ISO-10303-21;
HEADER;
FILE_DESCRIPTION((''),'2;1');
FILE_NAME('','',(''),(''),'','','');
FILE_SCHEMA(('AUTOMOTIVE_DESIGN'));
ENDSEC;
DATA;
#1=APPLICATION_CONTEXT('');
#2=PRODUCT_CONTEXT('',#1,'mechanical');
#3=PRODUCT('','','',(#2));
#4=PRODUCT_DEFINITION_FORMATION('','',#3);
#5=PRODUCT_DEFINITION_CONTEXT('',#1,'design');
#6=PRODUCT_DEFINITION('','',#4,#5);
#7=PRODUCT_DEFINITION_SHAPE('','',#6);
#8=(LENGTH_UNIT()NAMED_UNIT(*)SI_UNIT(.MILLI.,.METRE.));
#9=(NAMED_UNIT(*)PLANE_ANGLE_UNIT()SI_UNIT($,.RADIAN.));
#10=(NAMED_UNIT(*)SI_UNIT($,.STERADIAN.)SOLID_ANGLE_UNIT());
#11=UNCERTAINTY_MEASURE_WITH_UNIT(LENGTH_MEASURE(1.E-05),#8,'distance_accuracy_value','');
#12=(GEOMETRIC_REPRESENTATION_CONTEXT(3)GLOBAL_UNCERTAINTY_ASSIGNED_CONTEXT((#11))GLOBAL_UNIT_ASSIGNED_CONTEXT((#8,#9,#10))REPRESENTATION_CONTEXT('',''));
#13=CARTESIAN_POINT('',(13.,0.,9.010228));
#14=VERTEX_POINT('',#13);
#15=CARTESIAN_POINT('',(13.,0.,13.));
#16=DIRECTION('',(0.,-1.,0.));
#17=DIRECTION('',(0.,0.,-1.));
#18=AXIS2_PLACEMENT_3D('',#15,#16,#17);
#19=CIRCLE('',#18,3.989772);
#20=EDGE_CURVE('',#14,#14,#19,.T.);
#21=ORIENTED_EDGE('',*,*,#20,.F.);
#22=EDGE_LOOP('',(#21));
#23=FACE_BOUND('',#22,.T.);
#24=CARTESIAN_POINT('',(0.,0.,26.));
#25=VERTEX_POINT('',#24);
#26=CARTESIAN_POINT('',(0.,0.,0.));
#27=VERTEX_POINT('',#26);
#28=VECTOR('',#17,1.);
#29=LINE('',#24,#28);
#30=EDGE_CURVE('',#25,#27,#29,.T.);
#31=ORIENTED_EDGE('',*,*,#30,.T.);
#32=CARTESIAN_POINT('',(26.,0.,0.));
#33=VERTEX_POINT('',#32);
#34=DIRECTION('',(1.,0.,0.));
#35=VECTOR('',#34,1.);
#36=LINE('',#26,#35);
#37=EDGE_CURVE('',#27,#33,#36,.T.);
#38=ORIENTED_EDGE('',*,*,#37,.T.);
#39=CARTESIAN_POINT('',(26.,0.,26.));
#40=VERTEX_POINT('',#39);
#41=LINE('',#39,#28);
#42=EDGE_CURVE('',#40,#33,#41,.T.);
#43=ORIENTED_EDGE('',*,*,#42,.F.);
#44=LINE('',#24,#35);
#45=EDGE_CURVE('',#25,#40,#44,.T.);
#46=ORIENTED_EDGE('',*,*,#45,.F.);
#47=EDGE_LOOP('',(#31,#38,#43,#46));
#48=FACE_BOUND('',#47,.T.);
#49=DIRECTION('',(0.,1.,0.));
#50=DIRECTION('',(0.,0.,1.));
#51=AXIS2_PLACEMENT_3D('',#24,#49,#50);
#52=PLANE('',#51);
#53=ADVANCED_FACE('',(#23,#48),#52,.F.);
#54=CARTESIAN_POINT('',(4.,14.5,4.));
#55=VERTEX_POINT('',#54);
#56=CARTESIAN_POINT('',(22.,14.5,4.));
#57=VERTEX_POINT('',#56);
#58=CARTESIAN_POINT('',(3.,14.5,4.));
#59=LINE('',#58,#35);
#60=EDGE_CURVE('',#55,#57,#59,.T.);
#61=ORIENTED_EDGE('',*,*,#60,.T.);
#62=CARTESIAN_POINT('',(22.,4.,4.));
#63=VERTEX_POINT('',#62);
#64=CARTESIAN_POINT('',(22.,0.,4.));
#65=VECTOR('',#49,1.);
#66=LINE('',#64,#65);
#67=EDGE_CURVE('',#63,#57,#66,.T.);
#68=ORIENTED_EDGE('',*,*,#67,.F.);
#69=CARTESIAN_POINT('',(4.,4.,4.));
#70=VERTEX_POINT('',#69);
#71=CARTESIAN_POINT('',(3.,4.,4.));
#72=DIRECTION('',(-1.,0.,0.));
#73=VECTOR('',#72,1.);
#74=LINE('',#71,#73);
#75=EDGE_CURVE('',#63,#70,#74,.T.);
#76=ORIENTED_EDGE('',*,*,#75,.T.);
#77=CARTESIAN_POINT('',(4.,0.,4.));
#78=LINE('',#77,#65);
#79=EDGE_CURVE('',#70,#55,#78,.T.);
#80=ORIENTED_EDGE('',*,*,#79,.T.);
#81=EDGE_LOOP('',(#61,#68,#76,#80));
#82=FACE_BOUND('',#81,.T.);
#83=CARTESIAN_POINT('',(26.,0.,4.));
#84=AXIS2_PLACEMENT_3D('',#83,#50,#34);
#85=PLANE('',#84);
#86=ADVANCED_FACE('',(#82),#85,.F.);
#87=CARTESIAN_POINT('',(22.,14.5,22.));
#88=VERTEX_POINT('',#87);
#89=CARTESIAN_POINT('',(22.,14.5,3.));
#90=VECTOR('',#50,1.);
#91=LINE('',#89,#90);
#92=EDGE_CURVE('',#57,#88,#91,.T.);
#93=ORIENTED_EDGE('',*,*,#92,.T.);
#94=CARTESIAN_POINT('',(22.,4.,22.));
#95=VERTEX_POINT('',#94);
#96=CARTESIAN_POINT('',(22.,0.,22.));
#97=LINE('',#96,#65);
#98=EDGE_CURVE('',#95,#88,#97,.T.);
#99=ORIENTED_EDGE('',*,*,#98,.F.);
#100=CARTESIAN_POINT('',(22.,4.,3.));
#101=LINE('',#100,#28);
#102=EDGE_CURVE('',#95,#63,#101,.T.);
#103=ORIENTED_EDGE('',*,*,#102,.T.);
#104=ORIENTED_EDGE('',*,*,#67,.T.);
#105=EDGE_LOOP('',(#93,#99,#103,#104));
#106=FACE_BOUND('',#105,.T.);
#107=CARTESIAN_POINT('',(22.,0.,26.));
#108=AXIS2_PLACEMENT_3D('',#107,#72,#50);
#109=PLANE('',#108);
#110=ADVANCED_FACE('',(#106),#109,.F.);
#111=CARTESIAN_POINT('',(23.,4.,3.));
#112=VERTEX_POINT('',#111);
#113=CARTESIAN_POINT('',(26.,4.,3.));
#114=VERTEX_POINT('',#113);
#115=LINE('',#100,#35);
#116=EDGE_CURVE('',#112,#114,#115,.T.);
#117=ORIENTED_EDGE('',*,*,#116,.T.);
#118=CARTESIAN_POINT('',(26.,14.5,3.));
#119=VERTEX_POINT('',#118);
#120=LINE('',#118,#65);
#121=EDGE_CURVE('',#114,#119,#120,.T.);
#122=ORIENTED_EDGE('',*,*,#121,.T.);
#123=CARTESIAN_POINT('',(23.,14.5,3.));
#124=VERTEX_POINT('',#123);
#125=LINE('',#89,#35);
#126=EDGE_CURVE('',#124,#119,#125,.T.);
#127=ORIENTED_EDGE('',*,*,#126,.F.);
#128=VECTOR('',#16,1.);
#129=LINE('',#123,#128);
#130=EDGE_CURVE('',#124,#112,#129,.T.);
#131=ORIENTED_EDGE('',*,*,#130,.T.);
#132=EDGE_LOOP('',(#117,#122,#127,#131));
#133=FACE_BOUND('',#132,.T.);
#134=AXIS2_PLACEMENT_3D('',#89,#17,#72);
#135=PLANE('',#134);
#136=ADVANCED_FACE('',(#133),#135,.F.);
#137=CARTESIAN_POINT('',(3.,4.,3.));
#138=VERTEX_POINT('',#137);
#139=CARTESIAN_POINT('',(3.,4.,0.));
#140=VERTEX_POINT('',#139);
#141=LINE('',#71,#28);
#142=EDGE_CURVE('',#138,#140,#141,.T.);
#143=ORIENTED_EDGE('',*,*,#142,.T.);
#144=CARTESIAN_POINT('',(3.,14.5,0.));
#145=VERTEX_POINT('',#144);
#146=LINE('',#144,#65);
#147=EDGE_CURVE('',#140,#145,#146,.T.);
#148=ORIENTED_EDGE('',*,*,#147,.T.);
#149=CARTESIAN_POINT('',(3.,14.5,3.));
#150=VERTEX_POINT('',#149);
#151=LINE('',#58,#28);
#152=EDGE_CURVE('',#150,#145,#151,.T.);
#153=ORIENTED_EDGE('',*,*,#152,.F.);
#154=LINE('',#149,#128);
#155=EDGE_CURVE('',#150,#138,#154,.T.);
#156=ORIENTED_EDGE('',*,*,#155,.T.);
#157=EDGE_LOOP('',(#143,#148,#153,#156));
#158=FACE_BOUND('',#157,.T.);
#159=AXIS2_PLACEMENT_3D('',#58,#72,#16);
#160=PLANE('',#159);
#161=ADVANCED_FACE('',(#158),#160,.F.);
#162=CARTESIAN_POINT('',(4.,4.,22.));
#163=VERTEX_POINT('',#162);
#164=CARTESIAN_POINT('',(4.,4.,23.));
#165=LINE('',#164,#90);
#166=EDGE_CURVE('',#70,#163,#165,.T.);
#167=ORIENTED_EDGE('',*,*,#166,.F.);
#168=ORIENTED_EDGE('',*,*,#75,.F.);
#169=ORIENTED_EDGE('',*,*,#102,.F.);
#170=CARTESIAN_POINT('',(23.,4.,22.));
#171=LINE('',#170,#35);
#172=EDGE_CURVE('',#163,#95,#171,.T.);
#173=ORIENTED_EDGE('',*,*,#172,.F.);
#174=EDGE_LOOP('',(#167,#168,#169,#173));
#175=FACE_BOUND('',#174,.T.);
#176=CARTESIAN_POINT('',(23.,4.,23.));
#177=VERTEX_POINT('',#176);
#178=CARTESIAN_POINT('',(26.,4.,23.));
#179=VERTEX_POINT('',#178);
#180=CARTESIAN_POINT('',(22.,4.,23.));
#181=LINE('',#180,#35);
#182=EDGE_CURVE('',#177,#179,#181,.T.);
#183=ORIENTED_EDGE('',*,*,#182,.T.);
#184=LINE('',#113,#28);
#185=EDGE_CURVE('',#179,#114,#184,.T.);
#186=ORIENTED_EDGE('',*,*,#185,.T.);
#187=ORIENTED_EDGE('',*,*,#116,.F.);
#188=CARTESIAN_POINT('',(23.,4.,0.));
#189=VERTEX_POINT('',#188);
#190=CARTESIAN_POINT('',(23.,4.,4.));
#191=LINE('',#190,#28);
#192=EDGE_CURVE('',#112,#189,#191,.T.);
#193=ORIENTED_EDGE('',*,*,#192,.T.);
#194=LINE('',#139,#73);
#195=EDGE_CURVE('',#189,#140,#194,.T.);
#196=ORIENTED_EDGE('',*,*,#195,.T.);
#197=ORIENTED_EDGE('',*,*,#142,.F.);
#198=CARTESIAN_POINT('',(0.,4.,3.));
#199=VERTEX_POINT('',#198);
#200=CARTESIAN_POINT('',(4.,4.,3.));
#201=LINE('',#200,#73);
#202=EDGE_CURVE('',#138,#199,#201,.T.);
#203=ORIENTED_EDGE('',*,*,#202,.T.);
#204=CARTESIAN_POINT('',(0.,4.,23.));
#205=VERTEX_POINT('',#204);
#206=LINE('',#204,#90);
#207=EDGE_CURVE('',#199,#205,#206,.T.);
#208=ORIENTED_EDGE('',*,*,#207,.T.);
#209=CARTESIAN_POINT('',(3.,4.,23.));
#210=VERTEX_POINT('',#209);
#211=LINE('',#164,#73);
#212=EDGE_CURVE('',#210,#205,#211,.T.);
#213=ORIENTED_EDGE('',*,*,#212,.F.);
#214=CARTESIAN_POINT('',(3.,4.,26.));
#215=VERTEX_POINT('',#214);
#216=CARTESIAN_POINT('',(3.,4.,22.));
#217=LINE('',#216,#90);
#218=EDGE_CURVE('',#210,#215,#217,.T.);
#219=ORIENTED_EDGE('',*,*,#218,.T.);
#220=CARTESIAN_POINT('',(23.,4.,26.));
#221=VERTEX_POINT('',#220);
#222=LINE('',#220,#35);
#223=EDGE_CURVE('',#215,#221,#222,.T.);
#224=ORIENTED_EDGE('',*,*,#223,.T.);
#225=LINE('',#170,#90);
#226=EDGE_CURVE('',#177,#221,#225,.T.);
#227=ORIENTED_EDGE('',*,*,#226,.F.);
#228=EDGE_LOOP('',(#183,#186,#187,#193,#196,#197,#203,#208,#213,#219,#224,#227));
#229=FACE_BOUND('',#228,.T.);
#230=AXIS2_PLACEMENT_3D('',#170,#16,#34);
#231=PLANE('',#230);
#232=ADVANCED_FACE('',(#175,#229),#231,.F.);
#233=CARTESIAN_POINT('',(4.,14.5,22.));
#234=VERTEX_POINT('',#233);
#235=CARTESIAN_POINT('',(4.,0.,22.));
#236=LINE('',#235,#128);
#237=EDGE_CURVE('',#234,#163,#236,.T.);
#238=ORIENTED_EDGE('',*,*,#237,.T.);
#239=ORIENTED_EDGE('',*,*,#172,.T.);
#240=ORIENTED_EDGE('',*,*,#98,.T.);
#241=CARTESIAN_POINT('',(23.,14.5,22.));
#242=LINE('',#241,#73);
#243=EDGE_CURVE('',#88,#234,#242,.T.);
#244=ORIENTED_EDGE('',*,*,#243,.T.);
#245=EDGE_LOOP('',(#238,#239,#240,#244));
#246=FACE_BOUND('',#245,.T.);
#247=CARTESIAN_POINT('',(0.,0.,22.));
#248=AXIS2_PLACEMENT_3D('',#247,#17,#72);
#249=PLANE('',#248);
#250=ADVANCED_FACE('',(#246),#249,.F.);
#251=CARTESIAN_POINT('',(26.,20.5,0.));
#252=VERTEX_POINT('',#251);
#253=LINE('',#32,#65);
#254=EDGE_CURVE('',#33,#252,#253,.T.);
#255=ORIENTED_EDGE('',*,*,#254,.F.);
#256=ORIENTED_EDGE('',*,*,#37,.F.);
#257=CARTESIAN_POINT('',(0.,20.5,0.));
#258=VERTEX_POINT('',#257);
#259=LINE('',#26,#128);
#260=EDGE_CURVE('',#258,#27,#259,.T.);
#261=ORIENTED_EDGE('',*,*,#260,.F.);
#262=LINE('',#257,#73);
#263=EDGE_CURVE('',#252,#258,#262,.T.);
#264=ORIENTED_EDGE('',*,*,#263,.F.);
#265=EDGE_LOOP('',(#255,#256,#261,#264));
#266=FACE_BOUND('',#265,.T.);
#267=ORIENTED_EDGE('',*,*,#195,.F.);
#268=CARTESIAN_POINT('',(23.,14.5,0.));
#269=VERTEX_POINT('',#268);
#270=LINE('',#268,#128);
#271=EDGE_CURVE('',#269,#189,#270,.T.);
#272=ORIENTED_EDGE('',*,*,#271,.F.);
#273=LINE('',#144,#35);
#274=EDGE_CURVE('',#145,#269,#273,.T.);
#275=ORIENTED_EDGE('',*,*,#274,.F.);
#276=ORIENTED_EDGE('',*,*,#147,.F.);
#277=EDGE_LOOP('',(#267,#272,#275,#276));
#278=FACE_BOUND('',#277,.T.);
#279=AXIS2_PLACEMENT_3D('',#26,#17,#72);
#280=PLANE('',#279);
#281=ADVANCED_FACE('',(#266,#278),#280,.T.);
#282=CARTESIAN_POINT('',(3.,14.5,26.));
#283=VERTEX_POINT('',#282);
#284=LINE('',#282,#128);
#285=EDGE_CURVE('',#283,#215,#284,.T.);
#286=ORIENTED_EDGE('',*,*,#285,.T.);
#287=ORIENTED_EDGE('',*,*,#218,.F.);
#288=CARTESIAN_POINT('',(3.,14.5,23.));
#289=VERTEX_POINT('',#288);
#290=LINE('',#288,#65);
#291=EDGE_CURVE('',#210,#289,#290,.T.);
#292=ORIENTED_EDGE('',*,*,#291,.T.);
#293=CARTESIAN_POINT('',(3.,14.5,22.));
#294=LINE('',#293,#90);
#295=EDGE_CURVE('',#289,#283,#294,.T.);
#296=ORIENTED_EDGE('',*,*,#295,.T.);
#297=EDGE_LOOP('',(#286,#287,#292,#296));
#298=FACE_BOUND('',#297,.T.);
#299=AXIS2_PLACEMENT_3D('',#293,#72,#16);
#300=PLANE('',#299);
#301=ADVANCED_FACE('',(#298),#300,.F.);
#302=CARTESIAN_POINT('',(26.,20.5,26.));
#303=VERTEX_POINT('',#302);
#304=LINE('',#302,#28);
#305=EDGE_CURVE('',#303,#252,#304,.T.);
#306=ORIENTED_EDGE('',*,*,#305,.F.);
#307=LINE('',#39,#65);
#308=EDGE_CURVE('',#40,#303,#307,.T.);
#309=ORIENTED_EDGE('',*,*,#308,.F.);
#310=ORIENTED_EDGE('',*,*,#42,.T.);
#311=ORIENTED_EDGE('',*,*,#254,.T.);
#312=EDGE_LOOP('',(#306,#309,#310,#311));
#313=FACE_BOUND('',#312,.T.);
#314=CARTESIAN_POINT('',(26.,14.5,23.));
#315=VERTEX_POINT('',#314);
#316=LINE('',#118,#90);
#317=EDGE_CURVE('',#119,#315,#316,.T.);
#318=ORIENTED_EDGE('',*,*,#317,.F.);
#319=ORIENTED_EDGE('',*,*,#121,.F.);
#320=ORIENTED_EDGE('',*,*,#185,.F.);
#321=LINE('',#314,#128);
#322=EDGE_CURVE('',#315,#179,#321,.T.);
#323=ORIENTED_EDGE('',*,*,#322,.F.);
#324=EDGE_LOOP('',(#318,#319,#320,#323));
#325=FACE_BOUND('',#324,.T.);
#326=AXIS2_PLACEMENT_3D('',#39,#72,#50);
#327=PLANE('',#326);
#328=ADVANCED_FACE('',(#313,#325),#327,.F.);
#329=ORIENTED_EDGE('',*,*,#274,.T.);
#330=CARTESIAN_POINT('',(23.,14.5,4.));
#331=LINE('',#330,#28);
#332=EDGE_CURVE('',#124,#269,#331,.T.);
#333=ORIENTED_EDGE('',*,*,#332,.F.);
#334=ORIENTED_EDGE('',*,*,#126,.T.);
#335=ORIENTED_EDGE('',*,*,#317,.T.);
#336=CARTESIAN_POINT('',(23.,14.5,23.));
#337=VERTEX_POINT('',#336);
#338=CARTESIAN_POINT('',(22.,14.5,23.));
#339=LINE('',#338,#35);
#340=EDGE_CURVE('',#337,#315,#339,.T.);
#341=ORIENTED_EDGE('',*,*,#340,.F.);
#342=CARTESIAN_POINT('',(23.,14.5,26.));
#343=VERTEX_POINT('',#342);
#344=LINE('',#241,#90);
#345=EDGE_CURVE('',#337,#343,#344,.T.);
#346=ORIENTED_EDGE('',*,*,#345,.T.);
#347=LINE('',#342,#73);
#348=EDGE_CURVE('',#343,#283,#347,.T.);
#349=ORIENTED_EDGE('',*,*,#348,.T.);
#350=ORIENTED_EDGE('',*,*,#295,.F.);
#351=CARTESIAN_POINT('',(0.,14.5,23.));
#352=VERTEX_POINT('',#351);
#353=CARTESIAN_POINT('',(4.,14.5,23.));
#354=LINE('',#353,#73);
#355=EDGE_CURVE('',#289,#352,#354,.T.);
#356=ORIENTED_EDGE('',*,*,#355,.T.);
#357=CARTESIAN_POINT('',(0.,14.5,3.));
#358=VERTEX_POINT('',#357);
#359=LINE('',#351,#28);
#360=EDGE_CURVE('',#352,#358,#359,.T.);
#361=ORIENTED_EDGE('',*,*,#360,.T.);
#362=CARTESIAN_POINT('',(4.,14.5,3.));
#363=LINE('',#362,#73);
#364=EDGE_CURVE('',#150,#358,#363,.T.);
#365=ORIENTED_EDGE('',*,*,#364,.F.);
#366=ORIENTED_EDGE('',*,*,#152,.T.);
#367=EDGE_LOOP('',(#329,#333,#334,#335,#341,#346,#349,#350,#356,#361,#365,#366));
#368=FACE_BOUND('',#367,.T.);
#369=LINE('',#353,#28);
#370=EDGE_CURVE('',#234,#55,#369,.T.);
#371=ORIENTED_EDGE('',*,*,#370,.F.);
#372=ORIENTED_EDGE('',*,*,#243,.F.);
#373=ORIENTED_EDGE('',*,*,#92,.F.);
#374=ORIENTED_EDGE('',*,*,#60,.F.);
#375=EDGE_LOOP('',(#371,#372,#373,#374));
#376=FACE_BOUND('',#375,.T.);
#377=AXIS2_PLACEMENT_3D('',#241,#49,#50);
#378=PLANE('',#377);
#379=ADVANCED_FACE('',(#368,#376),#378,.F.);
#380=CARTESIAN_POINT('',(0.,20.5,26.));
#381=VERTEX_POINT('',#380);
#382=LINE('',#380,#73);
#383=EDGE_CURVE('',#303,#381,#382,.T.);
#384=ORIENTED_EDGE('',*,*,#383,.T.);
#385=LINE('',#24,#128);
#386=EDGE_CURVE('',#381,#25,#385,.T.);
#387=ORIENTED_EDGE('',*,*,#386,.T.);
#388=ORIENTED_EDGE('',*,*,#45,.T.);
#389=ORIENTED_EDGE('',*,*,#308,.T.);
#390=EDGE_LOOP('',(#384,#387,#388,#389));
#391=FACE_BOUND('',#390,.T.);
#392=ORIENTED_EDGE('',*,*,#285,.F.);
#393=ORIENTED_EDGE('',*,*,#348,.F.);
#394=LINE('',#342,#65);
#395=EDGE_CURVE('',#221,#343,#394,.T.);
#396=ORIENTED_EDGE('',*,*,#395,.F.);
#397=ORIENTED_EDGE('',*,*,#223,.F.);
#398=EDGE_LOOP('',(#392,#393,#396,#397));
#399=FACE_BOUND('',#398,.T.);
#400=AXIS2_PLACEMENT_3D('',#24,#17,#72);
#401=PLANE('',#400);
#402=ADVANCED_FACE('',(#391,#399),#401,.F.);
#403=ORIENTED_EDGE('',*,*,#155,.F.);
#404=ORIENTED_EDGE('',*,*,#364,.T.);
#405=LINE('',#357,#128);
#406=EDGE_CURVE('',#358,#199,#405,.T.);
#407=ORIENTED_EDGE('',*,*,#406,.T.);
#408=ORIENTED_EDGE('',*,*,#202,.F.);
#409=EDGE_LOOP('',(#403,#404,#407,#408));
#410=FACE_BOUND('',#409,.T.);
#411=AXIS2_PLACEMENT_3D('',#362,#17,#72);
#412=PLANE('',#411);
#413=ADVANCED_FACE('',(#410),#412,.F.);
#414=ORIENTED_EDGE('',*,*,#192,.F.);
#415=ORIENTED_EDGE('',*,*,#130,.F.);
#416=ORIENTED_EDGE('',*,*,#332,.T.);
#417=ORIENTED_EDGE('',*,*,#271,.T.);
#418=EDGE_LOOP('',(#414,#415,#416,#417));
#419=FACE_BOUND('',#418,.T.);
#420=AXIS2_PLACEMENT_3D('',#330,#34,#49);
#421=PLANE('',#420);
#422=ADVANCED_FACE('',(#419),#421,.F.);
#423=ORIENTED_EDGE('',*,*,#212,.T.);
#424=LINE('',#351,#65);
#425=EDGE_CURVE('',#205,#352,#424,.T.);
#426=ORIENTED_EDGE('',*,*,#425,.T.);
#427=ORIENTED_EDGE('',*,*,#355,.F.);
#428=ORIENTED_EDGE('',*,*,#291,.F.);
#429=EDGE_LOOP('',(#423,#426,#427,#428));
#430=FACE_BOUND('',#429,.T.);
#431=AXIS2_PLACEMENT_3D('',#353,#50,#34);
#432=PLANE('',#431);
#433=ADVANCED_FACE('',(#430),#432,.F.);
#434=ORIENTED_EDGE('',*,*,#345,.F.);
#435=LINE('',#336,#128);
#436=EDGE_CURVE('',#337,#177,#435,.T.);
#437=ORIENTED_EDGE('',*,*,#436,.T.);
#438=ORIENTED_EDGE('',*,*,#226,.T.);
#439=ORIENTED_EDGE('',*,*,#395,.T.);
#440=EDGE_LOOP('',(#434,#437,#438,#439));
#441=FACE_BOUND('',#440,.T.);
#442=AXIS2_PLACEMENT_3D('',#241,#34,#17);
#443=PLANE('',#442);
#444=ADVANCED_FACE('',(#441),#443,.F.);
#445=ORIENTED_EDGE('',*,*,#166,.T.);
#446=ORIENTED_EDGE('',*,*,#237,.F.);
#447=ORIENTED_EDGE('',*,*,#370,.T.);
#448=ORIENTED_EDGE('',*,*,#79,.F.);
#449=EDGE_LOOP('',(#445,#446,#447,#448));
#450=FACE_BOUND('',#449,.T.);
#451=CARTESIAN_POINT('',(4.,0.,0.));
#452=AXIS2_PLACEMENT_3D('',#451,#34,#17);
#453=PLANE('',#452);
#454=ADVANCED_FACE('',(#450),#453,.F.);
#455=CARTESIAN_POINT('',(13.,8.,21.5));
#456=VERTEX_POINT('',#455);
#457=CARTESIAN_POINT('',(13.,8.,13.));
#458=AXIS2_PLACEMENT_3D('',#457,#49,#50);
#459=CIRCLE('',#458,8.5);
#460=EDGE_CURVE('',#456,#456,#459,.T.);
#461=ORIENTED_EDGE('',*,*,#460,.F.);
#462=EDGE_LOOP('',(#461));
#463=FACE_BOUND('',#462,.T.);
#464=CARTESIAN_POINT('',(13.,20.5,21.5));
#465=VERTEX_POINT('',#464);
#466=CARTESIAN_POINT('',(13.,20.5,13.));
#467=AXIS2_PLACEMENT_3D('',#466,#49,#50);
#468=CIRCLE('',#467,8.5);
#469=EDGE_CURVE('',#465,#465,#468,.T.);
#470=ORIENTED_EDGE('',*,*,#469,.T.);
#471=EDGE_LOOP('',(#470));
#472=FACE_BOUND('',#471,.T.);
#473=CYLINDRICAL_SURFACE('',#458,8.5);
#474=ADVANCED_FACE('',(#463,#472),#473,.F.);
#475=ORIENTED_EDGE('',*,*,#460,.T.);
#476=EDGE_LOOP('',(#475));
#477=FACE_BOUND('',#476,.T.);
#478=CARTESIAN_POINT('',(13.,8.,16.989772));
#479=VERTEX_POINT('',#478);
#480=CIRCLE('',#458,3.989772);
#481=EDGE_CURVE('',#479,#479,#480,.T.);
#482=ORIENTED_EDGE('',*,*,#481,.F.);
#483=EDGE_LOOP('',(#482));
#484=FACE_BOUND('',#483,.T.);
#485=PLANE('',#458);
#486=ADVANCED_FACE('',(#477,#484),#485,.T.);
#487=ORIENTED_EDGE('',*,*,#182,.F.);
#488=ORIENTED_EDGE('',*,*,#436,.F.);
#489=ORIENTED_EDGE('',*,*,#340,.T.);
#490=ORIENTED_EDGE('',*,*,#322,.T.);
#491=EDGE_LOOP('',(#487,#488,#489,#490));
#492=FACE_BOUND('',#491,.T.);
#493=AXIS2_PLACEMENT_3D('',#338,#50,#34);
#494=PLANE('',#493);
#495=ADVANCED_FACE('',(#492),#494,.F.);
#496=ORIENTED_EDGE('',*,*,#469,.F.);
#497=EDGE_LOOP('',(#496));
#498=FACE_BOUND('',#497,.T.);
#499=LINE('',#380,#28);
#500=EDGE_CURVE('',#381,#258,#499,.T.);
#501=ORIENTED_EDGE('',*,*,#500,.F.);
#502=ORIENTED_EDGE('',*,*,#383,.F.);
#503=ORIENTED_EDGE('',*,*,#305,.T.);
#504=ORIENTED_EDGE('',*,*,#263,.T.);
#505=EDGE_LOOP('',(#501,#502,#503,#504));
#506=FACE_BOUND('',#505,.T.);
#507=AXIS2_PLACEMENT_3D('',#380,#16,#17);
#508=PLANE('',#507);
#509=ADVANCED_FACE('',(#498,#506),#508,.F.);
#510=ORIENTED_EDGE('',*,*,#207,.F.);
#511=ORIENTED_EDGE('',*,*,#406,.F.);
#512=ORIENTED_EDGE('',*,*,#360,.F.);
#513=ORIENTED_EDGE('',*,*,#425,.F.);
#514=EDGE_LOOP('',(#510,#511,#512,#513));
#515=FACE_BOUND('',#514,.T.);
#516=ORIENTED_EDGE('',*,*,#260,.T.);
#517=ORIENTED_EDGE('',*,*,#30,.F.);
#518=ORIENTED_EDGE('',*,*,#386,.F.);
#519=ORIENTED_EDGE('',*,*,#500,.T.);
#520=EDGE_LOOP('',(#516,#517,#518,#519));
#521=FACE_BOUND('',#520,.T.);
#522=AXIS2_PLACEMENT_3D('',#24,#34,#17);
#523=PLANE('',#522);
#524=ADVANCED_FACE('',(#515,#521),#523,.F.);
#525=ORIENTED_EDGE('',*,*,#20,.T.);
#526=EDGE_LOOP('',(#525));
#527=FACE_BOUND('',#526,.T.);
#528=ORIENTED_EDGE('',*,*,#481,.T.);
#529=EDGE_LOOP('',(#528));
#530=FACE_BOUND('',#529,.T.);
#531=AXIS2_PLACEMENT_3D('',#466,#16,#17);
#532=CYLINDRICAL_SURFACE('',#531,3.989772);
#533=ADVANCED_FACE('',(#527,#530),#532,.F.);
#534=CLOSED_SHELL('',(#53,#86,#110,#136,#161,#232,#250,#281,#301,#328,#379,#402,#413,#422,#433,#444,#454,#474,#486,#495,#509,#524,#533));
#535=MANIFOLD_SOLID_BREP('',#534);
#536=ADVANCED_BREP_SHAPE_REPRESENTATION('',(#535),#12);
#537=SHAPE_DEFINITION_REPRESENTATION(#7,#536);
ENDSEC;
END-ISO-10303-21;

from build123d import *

# Parameters (mm, degrees)
SKETCH2_W                = 26
SKETCH2_H                = 20.5
BOSS_EXTRUDE1_DEPTH      = 26
HAPTUATOR_HOLE_R         = 8.5
HAPTUATORINSERTION_DEPTH = 12.5
SKETCH8_R                = 3.989772047
CLEARANCE_DEPTH          = 43.09809972
CUTOUT_W                 = 20
CUTOUT_H                 = 10.5
CUT_EXTRUDE3_DEPTH       = 4
CIRPATTERN1_COUNT        = 4


with BuildPart() as part:
    # Sketch2 → Boss-Extrude1 (new body)
    with BuildSketch(Plane.XY):
        with Locations((13, 10.25)):
            Rectangle(SKETCH2_W, SKETCH2_H)
    extrude(amount=BOSS_EXTRUDE1_DEPTH)

    # Haptuator Hole → HaptuatorInsertion (cut)
    with BuildSketch(Plane(origin=(0, 20.5, 0), x_dir=(1, 0, 0), z_dir=(0, 1, 0))):
        with Locations((13, -13)):
            Circle(HAPTUATOR_HOLE_R)
    extrude(amount=-HAPTUATORINSERTION_DEPTH, mode=Mode.SUBTRACT)

    # Sketch8 → Clearance (cut, through all)
    with BuildSketch(Plane.XZ):
        with Locations((13, 13)):
            Circle(SKETCH8_R)
    extrude(amount=-CLEARANCE_DEPTH, mode=Mode.SUBTRACT)

    # cutout → Cut-Extrude3 (cut)
    with BuildSketch(Plane.XY.offset(26)):
        with Locations((13, 9.25)):
            Rectangle(CUTOUT_W, CUTOUT_H)
    cut_extrude3 = extrude(amount=-CUT_EXTRUDE3_DEPTH, mode=Mode.SUBTRACT)

    # CirPattern1: Cut-Extrude3 ×4 about axis
    cirpattern1_axis = Axis((13, -1.025, 13), (0, 1, 0))
    for i in range(1, CIRPATTERN1_COUNT):
        add(cut_extrude3.rotate(cirpattern1_axis, i * 360 / CIRPATTERN1_COUNT), mode=Mode.SUBTRACT)


solid = part.part
